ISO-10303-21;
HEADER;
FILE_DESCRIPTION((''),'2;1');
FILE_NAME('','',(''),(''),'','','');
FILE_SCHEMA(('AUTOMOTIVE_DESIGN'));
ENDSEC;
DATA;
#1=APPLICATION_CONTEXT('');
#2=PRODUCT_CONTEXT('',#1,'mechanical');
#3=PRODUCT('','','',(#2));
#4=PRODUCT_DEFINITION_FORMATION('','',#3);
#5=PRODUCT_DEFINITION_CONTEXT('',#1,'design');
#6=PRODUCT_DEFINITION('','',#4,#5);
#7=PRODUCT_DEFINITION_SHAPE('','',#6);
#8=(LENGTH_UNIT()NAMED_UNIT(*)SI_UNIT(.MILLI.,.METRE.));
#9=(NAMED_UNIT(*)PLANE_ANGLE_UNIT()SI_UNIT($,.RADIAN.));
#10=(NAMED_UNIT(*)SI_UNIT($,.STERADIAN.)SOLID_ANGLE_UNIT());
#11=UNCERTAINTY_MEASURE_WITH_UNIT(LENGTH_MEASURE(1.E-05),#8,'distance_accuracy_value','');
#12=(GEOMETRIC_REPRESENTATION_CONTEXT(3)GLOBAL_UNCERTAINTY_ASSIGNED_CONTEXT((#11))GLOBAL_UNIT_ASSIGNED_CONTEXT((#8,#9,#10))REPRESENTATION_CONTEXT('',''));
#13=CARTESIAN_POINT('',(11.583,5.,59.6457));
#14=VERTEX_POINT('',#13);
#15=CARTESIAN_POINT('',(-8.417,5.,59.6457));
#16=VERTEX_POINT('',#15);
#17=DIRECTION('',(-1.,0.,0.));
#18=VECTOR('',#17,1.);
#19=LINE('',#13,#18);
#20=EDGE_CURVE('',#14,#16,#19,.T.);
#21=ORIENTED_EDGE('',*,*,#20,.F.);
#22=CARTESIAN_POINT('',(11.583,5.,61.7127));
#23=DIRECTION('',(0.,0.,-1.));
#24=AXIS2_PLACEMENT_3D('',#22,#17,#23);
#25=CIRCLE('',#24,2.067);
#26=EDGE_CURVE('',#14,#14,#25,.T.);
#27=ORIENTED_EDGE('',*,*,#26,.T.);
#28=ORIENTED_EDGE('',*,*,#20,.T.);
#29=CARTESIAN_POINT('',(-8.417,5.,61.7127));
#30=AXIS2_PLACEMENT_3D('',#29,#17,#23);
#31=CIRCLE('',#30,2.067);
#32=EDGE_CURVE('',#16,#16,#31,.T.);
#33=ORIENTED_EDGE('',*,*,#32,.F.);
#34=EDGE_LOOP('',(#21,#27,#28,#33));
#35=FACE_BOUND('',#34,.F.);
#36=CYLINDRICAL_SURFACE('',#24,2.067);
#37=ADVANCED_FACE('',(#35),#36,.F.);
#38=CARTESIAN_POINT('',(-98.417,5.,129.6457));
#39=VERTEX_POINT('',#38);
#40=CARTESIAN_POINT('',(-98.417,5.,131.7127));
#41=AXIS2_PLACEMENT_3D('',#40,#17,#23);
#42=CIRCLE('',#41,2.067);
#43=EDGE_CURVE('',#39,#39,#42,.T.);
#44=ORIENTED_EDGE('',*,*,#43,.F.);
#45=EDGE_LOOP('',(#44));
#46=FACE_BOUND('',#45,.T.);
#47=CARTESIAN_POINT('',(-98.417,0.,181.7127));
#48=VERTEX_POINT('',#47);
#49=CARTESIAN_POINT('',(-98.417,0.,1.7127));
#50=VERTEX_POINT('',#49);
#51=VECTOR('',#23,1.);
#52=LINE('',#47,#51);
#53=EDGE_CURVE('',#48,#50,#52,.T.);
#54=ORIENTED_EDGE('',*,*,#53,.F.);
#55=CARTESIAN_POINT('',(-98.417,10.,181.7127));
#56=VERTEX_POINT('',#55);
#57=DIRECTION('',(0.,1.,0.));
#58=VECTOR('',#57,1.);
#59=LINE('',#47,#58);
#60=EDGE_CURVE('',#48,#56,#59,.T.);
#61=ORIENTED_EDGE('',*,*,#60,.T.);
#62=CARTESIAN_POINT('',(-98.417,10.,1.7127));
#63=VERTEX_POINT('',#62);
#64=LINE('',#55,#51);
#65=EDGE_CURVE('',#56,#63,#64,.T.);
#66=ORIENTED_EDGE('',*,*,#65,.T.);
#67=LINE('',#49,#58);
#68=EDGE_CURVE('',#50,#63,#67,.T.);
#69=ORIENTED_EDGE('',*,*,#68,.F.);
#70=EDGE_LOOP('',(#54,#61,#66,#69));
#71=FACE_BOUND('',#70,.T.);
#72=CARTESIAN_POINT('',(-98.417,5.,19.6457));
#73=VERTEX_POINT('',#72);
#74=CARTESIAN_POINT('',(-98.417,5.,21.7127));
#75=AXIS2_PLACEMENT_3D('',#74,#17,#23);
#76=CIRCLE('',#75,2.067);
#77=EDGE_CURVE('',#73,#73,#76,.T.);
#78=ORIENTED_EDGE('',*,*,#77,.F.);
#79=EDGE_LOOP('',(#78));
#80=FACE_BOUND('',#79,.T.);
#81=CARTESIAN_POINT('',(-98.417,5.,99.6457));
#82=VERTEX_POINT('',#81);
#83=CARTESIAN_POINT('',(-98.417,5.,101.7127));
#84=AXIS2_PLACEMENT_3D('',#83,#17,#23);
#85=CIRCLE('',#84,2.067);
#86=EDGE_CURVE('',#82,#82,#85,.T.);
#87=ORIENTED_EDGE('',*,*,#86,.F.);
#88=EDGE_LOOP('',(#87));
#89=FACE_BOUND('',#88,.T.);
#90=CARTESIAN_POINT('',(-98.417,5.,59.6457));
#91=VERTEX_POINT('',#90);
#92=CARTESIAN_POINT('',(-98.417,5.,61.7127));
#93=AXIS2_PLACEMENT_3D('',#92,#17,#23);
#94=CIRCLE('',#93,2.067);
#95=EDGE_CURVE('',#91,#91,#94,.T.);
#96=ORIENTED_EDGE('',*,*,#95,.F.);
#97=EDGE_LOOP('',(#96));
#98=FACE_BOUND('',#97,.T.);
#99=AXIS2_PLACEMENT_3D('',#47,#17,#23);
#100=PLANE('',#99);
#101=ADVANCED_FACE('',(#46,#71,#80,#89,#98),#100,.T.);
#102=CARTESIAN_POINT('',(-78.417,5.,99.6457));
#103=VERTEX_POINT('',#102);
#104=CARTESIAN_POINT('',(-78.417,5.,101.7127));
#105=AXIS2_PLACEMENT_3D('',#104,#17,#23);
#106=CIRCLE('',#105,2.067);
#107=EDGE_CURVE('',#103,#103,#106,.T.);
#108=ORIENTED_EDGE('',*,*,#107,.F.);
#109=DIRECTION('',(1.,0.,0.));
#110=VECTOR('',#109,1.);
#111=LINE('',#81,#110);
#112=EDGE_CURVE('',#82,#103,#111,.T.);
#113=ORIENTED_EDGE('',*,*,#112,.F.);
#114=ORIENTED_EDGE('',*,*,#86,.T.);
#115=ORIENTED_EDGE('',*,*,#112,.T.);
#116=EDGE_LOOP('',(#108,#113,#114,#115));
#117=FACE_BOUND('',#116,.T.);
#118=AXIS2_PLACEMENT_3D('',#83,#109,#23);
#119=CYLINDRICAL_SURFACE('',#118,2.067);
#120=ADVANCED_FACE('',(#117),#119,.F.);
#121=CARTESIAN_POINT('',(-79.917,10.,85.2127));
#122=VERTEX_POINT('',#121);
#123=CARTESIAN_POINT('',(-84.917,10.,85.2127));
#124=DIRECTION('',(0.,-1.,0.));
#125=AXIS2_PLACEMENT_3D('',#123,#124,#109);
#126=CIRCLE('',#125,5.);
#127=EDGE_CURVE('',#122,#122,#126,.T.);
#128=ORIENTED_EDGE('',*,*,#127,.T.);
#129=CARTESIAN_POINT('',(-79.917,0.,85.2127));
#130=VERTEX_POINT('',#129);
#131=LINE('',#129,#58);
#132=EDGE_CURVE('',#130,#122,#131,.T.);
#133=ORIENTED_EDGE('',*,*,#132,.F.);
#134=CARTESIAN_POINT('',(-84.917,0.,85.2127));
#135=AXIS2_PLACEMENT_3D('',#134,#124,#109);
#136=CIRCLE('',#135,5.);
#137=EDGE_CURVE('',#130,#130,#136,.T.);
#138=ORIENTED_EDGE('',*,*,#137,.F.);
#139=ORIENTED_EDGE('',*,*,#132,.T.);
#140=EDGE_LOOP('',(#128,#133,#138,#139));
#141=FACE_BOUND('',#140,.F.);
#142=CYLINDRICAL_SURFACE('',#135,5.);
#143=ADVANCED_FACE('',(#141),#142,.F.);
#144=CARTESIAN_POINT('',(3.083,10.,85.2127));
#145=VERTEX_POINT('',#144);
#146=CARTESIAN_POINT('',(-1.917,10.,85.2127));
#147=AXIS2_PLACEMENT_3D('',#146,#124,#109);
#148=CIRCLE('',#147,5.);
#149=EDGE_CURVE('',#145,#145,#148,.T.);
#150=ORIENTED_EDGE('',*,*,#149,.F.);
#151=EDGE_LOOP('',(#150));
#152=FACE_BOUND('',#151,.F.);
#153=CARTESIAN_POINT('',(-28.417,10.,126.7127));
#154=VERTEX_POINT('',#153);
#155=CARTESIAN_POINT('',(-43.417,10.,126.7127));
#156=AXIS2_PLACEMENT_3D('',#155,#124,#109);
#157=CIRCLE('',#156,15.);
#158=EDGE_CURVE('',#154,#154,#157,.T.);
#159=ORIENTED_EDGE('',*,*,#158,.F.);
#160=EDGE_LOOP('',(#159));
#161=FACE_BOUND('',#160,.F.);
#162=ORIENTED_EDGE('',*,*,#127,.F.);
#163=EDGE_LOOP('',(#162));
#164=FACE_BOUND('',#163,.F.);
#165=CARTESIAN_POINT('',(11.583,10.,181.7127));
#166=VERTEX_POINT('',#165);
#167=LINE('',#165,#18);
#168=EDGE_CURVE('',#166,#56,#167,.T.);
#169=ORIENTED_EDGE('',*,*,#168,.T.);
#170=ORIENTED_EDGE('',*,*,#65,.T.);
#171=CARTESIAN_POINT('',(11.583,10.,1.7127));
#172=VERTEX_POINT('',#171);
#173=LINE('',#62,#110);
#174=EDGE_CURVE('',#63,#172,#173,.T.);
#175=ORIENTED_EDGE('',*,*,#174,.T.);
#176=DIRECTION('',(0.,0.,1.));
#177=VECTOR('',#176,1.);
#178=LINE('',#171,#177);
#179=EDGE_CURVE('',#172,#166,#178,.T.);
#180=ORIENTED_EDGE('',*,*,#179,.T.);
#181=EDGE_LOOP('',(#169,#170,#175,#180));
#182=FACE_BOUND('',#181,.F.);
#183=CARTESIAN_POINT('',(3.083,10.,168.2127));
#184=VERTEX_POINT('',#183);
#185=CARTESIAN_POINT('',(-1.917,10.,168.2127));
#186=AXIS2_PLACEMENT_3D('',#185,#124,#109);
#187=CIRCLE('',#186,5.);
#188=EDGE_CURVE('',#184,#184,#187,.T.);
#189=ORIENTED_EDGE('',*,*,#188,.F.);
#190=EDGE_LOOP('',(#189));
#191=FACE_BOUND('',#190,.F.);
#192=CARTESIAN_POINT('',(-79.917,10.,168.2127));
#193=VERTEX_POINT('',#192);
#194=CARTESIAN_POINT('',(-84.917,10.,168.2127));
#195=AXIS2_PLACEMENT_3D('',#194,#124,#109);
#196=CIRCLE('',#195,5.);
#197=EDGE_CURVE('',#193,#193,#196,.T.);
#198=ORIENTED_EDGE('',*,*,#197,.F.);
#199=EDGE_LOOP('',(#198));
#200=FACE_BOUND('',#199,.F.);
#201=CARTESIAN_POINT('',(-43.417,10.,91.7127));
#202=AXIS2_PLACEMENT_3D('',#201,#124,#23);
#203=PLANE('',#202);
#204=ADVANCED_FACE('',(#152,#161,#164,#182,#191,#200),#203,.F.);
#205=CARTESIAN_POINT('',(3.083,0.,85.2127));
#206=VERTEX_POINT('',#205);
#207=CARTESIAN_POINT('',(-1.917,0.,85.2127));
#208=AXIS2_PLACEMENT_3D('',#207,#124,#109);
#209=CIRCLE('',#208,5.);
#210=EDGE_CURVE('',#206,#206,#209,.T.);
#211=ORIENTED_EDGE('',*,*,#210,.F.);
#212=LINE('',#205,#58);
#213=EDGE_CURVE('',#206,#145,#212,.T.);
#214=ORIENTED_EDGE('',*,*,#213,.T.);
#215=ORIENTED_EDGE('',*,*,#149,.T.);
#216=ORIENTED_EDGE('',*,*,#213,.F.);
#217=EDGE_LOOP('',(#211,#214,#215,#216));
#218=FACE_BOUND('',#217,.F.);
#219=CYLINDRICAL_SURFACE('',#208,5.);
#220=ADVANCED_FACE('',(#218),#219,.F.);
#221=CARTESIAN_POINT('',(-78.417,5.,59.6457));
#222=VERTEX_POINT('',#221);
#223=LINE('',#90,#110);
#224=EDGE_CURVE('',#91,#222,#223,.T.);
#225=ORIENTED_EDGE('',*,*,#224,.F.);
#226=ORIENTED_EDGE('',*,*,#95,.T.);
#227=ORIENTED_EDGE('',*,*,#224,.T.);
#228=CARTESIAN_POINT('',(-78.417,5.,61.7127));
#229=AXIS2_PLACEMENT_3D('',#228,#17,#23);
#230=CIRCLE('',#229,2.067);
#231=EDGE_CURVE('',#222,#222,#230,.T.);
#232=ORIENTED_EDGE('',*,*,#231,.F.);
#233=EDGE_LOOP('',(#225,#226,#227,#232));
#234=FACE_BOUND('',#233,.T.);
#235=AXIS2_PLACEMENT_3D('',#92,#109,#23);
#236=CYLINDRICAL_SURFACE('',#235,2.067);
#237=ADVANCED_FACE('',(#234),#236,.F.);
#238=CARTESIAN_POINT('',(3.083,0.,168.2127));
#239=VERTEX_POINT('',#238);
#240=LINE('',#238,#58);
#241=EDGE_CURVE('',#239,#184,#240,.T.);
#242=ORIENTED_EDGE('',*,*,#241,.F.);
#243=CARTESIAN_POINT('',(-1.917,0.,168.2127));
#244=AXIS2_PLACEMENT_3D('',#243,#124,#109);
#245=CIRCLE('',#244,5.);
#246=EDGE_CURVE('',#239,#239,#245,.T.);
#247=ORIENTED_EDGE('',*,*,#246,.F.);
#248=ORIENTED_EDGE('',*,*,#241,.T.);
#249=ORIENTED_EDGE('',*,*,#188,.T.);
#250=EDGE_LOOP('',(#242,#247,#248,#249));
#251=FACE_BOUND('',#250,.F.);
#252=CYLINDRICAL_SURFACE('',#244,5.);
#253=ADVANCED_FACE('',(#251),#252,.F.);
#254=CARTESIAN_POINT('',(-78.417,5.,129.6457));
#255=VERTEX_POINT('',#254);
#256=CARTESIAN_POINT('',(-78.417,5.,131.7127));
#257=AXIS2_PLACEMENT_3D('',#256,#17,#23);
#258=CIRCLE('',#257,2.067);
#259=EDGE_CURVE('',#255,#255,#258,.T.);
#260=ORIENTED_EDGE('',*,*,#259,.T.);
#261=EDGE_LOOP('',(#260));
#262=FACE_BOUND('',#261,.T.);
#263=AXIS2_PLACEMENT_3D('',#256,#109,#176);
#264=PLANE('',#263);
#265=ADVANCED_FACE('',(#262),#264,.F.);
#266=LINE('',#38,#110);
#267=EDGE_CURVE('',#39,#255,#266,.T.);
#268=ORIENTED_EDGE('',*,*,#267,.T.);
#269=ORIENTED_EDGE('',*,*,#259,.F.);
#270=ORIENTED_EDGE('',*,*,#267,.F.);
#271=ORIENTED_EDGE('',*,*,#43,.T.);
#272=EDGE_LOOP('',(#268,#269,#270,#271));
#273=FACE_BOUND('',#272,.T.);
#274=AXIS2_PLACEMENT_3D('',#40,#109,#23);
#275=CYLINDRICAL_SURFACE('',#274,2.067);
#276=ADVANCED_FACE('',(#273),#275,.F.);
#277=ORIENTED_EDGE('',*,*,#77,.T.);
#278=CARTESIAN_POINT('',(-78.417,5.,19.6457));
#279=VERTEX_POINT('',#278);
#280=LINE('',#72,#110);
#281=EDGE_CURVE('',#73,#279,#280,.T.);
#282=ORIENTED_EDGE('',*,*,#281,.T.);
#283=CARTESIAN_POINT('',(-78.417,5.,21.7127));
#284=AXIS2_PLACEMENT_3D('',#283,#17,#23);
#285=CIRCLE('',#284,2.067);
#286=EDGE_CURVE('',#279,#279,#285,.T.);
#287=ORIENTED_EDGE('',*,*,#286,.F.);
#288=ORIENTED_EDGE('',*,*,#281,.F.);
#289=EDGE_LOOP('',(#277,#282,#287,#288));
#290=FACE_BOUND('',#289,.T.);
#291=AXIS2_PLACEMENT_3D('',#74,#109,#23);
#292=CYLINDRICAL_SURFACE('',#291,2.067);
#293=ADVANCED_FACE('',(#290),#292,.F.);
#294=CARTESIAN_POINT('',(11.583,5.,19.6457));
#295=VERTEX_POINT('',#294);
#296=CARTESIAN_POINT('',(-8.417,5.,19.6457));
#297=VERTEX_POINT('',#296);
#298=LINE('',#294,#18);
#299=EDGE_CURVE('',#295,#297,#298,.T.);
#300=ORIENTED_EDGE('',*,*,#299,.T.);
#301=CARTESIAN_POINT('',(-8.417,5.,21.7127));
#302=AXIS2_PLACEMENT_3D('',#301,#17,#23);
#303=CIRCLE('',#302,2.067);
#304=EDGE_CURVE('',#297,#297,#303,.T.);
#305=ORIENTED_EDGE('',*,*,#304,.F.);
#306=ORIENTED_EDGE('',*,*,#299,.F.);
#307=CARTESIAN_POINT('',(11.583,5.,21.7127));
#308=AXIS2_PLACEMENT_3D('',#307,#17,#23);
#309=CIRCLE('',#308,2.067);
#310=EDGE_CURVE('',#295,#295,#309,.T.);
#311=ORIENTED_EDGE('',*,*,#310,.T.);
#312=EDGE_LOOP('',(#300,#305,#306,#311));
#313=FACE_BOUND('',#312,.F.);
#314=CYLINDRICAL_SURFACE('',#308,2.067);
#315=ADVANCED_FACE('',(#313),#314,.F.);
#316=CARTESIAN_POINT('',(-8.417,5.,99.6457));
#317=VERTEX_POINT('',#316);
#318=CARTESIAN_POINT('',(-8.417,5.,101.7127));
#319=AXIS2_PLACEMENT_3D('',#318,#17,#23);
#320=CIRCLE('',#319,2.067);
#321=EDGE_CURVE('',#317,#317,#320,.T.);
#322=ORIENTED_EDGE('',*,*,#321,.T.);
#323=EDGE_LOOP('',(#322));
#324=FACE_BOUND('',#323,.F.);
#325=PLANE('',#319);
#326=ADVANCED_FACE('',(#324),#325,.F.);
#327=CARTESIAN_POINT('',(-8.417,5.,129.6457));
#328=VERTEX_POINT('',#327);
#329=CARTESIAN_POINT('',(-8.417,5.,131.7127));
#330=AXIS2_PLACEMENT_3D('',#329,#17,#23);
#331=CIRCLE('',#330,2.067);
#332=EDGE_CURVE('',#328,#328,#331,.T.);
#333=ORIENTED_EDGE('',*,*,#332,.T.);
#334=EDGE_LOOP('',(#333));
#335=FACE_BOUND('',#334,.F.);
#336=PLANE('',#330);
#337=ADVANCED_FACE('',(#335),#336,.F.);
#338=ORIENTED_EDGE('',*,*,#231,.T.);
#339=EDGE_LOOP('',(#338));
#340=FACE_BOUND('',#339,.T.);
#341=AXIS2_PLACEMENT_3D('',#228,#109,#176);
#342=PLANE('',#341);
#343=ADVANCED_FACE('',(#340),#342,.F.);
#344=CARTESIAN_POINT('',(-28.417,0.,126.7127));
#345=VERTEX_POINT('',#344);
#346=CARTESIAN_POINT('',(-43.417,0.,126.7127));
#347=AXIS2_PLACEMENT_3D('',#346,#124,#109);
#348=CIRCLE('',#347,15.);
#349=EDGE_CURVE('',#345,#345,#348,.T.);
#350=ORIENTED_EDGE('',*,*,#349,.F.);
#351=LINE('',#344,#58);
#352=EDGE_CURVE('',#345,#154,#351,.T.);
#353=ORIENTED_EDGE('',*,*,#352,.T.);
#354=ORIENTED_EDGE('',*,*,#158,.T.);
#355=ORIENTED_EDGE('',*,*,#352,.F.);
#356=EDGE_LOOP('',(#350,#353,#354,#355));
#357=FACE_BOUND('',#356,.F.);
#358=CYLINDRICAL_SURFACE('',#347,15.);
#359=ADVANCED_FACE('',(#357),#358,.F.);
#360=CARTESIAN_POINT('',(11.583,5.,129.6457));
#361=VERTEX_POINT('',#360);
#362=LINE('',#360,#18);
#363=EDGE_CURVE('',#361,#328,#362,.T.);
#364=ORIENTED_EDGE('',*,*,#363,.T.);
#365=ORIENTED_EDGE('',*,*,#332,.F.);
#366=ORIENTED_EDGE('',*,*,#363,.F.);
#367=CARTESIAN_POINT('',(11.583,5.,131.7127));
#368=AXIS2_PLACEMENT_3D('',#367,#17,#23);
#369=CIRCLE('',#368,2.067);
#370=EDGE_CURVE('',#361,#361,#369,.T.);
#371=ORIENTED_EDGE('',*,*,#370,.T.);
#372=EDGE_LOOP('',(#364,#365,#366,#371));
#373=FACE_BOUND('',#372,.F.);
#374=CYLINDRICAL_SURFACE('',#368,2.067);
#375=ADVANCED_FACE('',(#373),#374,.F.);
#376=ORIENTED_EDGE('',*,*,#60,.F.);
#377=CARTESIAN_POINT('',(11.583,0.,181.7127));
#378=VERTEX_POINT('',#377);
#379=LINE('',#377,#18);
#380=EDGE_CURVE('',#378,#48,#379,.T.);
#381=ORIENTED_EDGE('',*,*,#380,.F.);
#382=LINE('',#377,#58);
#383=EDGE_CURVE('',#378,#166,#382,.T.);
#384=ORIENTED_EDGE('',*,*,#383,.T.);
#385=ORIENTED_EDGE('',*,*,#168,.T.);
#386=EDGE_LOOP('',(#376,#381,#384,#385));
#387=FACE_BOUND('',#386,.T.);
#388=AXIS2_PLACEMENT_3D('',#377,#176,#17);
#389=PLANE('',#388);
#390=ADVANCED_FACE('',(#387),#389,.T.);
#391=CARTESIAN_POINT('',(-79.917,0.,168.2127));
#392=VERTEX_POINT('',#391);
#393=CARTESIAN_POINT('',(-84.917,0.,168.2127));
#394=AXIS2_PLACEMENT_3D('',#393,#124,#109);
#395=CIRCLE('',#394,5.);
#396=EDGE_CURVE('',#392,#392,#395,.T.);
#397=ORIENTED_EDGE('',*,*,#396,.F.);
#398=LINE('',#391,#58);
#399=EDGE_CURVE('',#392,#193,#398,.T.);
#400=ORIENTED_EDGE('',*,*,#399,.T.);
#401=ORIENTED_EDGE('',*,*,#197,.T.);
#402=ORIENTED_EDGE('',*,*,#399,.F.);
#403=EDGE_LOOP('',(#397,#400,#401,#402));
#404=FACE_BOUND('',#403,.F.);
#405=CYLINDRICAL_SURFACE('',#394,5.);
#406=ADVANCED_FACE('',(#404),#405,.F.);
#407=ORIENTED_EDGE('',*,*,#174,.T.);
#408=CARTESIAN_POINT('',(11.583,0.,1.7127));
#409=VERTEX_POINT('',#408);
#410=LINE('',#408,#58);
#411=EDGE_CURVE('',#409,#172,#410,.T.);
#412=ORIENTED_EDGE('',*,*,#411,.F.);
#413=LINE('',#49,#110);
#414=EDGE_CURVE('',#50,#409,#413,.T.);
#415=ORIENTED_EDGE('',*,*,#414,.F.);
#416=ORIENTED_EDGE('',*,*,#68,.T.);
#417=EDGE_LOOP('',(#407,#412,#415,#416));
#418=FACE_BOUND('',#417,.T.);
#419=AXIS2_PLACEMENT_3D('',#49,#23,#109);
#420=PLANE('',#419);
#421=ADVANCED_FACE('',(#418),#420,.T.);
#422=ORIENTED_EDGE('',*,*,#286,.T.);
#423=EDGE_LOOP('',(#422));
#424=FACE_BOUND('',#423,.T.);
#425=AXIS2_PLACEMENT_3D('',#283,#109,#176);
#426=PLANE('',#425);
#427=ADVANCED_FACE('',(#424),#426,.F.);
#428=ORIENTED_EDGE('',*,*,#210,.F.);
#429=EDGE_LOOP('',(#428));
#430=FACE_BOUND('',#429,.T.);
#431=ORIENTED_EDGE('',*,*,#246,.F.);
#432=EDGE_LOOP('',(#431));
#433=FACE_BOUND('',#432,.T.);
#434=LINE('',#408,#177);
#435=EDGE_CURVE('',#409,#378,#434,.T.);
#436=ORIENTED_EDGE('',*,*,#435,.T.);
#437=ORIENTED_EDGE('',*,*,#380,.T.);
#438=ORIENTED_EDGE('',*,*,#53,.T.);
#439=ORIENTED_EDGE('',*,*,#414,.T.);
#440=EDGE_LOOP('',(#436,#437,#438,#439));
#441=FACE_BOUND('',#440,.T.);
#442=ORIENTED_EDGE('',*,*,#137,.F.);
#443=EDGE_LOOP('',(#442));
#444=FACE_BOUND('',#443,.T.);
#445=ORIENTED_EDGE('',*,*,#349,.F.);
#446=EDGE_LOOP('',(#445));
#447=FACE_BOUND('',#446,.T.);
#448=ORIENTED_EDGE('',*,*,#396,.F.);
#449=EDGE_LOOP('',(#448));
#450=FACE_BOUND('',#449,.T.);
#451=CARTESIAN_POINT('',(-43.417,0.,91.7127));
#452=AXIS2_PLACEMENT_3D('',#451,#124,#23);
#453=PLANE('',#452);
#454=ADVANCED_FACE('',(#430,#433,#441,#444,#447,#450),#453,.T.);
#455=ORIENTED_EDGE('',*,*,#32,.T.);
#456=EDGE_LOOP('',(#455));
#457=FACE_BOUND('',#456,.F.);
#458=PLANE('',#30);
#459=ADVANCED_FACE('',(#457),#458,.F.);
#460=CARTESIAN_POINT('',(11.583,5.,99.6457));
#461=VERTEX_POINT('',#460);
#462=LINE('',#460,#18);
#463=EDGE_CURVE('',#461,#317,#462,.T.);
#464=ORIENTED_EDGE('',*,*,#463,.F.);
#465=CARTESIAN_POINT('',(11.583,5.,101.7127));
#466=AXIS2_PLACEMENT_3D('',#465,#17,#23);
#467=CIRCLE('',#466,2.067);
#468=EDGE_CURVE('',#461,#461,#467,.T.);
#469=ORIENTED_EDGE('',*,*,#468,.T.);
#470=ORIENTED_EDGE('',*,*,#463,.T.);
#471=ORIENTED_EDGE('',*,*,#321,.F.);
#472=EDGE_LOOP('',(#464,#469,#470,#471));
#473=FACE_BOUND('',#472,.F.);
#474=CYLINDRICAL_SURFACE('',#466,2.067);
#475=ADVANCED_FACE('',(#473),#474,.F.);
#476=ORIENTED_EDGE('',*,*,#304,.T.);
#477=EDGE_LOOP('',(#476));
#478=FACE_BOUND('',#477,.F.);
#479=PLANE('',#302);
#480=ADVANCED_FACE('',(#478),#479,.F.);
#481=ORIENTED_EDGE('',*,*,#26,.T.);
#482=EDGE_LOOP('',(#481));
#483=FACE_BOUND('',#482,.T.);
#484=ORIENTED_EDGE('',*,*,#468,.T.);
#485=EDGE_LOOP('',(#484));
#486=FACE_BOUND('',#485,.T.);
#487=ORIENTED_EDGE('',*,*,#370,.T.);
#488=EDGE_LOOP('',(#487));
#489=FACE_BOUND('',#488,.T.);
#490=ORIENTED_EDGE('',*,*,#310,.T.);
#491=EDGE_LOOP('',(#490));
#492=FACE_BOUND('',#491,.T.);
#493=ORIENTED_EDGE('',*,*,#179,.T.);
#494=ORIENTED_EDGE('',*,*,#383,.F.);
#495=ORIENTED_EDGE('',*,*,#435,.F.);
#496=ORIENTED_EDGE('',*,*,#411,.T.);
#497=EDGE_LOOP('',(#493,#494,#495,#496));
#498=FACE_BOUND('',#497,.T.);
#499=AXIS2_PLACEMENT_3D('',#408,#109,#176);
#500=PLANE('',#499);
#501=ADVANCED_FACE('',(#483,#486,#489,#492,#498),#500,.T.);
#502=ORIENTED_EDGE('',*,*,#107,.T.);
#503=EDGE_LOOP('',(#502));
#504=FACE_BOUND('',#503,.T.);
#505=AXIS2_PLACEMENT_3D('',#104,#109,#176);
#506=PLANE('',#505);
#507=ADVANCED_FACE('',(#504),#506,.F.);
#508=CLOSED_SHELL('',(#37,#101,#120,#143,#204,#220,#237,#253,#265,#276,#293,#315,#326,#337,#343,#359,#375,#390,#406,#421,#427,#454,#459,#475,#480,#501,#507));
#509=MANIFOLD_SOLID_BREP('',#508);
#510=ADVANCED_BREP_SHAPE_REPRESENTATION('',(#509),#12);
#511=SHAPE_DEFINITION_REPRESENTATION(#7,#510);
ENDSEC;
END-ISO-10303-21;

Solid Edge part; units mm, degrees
sketch "Sketch1" plane through (0, 0, 0) normal (0, -1, 0) x (1, 0, 0)
  line L0 (-98.417, 1.7127) -> (11.583, 1.7127)
  line L1 (11.583, 1.7127) -> (11.583, 181.7127)
  line L2 (11.583, 181.7127) -> (-98.417, 181.7127)
  line L3 (-98.417, 181.7127) -> (-98.417, 1.7127)
  dimension "D1" = 110
  dimension "D2" = 180
extrude "Protrusion1" add sketch "Sketch1" against normal blind 10
sketch "Sketch2" plane through (-48.417, 0, 81.7127) normal (0, -1, 0) x (1, 0, 0)
  circle A0 centre (-36.5, 86.5) radius 5
  circle A1 centre (46.5, 86.5) radius 5
  circle A2 centre (-36.5, 3.5) radius 5
  circle A3 centre (46.5, 3.5) radius 5
  circle A4 centre (5, 45) radius 15
  dimension "D1" = 125
  dimension "D2" = 10
  dimension "D3" = 10
  dimension "D4" = 10
  dimension "D5" = 83
  dimension "D6" = 83
  dimension "D7" = 41.5
  dimension "D8" = 41.5
extrude "Cutout1" cut sketch "Sketch2" against normal through all
extrude "Cutout2" [suppressed]
extrude "Protrusion2" [suppressed]
extrude "Cutout3" [suppressed]
hole "Hole_1" at (11.583, 5, 61.7127) direction (-1, 0, 0) diameter 4.134 depth 20 thread major 5 thread length 2
hole "Hole1" at (11.583, 5, 101.7127) direction (-1, 0, 0) diameter 4.134 depth 20 thread major 5 thread length 2
hole "Hole2" at (11.583, 5, 21.7127) direction (-1, 0, 0) diameter 4.134 depth 20 thread major 5 thread length 2
hole "Hole3" at (11.583, 5, 131.7127) direction (-1, 0, 0) diameter 4.134 depth 20 thread major 5 thread length 2
mirror "Mirror1" about plane through (-43.417, 5, 91.7127) normal (1, 0, 0) of "Hole_1", "Hole1", "Hole2", "Hole3"
